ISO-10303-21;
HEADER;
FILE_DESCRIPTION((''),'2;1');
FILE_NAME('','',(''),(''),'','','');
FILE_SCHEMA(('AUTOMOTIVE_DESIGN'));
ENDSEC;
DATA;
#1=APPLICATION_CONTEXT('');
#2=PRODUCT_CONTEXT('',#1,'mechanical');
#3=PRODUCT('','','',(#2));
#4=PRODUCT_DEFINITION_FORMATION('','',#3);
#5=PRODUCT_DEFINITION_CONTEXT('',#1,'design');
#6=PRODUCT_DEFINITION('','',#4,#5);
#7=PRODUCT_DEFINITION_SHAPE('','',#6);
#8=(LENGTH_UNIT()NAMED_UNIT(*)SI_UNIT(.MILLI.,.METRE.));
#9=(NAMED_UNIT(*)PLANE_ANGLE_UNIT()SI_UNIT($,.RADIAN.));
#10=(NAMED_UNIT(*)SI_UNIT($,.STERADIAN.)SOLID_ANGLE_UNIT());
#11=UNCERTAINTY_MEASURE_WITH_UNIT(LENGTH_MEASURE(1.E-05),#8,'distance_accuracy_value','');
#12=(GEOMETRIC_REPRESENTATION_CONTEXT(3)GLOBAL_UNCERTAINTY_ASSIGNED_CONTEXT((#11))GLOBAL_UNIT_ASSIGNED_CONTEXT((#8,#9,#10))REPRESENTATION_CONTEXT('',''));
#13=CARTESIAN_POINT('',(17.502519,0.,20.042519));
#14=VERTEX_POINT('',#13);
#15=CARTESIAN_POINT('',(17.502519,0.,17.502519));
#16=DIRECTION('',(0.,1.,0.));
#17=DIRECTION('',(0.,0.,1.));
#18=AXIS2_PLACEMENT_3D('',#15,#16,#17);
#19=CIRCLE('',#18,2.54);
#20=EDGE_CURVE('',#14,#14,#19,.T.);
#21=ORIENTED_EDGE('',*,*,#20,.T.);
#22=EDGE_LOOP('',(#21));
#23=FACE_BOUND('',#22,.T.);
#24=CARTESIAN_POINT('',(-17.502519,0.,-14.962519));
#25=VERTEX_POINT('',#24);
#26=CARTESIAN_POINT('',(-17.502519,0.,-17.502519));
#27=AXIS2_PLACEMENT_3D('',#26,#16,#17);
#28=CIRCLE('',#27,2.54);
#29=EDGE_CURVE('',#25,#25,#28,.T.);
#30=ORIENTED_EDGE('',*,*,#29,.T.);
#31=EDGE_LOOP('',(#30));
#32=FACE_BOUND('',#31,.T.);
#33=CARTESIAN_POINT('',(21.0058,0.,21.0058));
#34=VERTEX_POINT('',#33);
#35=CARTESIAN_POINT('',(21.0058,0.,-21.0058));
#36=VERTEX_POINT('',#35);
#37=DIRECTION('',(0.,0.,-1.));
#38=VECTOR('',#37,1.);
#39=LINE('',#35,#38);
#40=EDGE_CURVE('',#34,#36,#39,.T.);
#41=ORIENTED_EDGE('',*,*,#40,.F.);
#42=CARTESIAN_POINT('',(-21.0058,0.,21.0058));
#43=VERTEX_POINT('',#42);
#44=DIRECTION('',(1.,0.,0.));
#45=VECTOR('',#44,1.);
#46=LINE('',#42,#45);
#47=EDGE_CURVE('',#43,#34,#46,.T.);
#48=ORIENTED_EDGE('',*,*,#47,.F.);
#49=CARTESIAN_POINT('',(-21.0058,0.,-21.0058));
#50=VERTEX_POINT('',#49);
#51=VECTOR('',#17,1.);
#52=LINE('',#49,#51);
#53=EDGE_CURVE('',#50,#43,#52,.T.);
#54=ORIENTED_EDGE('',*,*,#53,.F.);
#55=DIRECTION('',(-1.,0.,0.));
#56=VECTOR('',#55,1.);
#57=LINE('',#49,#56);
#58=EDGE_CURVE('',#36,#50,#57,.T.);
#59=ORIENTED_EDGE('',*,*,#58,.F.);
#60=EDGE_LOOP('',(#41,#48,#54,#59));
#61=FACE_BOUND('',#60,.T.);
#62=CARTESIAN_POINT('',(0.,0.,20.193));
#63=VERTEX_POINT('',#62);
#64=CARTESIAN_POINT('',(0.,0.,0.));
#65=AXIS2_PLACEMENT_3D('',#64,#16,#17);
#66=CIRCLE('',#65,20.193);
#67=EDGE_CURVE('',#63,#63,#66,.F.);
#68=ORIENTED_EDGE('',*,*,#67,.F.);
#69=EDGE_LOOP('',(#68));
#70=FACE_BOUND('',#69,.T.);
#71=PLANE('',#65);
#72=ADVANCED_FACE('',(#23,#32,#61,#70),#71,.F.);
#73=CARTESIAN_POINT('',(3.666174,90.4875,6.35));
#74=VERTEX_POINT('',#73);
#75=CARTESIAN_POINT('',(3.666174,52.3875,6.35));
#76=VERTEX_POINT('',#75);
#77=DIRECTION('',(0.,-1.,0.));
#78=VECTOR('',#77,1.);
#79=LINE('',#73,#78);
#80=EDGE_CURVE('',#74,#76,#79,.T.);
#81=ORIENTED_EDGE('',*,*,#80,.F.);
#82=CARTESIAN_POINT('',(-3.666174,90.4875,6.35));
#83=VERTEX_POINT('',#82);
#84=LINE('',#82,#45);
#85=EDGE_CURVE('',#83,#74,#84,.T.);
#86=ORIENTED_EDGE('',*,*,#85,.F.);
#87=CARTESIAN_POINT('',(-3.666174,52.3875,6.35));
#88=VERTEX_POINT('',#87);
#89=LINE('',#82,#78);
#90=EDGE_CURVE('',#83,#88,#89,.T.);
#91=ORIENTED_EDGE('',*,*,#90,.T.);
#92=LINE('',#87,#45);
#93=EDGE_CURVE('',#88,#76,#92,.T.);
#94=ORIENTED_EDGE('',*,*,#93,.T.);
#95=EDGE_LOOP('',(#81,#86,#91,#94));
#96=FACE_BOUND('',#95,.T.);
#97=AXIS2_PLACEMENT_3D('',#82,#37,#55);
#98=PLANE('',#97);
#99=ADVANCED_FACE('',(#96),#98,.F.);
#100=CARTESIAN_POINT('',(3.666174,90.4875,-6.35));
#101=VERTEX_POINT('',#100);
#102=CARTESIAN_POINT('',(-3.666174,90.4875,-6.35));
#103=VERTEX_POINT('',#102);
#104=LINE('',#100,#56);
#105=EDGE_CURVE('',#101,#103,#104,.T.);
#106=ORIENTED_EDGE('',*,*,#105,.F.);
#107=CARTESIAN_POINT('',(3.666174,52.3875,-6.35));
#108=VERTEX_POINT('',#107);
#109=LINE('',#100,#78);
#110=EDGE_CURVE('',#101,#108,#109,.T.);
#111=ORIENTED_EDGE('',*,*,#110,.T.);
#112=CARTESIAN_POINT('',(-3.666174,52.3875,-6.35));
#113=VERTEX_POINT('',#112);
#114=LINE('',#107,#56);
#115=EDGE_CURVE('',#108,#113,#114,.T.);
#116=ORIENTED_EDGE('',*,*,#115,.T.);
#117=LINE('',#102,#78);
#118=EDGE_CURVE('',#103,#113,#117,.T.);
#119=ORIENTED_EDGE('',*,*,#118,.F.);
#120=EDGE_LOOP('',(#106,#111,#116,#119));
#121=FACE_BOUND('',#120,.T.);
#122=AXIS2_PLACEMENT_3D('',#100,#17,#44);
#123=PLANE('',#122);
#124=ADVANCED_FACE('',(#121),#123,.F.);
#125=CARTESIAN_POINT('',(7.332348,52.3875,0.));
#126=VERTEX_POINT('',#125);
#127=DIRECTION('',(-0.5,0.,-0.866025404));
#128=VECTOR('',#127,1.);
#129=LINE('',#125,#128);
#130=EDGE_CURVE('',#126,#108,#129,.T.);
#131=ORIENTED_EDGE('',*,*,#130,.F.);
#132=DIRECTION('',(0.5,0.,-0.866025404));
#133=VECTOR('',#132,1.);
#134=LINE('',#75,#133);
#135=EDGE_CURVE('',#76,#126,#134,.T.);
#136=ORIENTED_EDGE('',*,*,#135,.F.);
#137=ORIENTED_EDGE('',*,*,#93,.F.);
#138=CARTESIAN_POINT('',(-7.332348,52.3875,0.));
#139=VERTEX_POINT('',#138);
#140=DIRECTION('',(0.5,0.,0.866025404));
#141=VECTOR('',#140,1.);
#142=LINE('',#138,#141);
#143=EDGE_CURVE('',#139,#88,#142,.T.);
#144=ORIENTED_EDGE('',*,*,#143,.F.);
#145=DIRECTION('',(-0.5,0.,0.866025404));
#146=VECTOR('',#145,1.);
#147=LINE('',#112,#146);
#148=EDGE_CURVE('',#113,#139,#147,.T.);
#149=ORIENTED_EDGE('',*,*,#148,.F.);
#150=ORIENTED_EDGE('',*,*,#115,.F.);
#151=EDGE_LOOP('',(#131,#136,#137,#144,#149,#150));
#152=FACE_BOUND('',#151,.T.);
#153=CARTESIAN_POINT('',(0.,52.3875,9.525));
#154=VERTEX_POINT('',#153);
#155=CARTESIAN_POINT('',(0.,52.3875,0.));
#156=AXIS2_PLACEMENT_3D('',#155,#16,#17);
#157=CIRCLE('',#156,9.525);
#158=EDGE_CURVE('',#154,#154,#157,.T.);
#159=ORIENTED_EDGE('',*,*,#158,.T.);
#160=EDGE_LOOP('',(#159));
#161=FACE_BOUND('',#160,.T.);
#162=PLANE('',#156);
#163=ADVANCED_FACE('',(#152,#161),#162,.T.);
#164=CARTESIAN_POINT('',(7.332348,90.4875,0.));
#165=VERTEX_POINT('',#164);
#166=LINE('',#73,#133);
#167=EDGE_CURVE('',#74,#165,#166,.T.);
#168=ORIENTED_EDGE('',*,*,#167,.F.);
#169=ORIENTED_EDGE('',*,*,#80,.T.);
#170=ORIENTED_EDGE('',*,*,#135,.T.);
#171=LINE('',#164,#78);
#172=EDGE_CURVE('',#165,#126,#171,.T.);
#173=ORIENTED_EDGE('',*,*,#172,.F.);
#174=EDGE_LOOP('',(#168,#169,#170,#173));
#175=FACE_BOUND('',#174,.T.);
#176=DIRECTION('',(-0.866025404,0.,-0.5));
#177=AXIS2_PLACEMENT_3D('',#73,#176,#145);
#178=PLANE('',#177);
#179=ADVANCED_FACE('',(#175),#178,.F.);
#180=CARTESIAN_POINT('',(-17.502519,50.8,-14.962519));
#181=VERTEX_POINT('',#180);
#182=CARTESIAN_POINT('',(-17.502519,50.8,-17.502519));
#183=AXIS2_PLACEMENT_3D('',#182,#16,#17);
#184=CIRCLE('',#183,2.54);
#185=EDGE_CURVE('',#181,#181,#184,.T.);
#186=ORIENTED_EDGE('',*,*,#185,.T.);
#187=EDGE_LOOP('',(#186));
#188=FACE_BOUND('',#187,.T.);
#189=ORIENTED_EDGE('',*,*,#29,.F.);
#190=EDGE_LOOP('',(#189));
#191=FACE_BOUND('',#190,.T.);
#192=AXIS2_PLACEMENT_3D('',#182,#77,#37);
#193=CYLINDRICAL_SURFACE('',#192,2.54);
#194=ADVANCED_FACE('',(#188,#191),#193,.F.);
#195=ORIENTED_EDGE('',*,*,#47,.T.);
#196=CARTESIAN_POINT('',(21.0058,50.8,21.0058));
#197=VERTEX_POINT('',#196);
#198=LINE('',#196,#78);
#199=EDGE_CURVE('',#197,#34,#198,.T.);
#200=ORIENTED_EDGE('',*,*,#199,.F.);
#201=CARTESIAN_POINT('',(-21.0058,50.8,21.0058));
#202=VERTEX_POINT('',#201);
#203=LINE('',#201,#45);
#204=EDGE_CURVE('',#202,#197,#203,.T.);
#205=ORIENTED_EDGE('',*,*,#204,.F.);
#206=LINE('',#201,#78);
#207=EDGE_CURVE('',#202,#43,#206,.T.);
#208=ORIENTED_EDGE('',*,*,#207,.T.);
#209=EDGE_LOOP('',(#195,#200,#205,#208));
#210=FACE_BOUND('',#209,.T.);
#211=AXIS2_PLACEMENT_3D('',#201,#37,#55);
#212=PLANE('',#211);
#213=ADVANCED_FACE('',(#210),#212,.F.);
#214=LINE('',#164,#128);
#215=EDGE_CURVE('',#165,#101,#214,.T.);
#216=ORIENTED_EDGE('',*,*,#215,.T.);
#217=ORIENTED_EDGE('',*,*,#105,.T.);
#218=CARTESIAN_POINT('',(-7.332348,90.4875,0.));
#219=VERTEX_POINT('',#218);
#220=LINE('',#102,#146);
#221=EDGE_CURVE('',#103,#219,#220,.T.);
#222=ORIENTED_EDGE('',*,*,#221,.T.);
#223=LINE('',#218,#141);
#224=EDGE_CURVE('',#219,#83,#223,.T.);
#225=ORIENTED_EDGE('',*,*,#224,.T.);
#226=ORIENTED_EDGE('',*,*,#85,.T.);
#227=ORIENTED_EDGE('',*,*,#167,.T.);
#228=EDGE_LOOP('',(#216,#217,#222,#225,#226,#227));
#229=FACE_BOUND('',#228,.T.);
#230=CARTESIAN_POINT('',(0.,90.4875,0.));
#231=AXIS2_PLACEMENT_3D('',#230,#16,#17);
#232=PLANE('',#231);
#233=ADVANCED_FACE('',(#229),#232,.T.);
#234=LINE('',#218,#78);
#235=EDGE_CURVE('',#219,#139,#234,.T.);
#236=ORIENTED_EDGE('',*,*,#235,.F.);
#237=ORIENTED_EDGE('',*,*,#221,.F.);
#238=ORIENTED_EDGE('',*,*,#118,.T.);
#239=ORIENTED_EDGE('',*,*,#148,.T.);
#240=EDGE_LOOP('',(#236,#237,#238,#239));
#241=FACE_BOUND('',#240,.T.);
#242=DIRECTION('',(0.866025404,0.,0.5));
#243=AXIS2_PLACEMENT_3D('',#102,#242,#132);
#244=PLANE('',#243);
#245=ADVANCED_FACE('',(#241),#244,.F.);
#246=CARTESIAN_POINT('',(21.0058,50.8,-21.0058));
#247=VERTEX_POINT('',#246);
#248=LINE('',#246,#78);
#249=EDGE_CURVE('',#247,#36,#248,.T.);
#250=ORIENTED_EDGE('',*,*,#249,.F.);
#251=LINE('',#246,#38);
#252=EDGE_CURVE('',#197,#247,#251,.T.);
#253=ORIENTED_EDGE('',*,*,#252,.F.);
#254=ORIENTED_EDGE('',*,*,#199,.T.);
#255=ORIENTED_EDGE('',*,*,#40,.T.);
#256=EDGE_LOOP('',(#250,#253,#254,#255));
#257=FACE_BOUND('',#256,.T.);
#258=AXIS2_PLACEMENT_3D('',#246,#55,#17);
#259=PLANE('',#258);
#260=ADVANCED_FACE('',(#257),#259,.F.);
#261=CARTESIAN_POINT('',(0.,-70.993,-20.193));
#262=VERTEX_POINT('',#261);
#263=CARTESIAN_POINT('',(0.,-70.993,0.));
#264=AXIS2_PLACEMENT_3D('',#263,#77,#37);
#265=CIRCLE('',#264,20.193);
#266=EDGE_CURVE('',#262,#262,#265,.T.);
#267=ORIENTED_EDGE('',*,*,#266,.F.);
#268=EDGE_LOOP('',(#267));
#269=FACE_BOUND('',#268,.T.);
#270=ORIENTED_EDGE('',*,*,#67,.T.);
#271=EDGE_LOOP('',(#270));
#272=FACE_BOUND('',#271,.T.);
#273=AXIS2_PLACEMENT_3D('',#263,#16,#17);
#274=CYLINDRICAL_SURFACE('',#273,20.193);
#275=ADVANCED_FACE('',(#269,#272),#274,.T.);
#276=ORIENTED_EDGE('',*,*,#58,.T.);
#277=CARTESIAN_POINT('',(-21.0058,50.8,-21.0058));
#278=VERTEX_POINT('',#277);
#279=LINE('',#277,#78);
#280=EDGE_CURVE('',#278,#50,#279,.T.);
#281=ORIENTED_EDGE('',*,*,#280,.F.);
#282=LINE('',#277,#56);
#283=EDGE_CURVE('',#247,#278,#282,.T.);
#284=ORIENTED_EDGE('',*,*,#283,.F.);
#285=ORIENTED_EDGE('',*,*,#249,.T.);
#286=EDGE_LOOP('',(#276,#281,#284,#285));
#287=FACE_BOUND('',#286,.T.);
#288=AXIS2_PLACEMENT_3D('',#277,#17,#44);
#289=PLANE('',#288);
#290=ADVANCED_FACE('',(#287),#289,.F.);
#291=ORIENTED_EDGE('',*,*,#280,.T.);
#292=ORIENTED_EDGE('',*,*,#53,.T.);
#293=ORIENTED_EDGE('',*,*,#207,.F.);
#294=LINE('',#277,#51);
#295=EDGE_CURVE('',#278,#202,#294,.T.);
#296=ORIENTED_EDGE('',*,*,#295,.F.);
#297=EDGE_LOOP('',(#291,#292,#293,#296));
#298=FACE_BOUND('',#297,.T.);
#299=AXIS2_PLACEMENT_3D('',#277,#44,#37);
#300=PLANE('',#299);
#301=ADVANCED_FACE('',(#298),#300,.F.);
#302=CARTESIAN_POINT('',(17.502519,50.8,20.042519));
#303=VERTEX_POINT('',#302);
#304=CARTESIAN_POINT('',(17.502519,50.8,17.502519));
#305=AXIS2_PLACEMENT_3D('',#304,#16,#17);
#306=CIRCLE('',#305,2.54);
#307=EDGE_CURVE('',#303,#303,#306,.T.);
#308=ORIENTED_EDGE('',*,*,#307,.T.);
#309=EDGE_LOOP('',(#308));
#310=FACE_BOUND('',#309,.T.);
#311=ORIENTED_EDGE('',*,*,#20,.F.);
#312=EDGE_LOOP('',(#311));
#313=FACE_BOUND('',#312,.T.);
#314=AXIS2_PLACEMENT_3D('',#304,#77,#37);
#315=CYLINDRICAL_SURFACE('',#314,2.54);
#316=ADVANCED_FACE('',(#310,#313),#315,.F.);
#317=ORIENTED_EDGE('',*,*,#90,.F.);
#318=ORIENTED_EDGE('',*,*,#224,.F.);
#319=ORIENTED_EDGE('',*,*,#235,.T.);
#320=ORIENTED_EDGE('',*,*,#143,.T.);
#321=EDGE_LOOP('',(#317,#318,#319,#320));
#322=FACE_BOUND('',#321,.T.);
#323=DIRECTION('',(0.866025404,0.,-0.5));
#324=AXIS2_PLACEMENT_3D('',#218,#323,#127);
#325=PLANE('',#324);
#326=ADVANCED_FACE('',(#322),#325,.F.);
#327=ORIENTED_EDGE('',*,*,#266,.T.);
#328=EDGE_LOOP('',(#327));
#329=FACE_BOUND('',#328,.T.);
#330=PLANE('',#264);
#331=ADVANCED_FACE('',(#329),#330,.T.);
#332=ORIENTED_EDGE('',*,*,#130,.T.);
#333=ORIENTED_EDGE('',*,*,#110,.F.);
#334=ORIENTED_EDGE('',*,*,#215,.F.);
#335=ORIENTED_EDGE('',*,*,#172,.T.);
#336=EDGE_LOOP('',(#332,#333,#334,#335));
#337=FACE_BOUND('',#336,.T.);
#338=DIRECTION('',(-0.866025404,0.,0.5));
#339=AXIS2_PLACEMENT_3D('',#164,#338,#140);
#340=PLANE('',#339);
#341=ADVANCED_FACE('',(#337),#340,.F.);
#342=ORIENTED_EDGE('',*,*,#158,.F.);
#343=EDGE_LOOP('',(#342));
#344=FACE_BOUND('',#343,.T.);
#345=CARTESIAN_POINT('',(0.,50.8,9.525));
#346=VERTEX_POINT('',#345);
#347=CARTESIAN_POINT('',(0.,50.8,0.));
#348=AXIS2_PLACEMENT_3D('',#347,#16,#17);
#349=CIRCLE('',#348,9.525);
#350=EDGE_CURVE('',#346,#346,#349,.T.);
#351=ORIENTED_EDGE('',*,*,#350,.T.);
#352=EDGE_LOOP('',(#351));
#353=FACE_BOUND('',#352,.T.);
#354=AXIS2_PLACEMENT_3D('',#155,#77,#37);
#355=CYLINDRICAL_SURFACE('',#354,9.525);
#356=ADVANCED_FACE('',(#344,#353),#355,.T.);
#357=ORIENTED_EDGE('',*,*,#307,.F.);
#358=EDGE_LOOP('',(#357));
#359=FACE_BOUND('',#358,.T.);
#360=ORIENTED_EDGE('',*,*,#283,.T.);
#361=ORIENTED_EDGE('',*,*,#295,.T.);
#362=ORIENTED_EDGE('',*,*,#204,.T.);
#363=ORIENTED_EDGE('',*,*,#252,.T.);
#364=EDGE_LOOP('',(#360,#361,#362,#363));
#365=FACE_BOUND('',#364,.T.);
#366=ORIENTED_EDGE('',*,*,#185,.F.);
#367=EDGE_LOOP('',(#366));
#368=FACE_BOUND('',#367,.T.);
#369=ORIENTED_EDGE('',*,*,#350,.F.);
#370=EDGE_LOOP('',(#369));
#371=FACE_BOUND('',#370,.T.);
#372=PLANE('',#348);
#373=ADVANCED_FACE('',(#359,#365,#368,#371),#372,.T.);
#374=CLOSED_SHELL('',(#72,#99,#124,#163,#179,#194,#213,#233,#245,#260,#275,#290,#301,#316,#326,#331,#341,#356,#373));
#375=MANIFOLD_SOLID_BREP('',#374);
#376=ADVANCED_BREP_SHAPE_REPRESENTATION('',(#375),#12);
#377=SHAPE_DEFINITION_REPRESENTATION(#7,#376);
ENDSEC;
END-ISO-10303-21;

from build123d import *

# Parameters (mm, degrees)
SKETCH1_W           = 42.0116
SKETCH1_H           = 42.0116
SKETCH1_R           = 2.54
BOSS_EXTRUDE1_DEPTH = 50.8
SKETCH2_R           = 9.525
BOSS_EXTRUDE2_DEPTH = 1.5875
BOSS_EXTRUDE3_DEPTH = 38.1
SKETCH4_R           = 20.193
BOSS_EXTRUDE4_DEPTH = 70.993


with BuildPart() as part:
    # Sketch1 → Boss-Extrude1 (new body)
    with BuildSketch(Plane(origin=(0, 0, 0), x_dir=(1, 0, 0), z_dir=(0, 1, 0))):
        Rectangle(SKETCH1_W, SKETCH1_H)
        with Locations((-17.50251918, 17.50251918)):
            Circle(SKETCH1_R, mode=Mode.SUBTRACT)
        with Locations((17.50251918, -17.50251918)):
            Circle(SKETCH1_R, mode=Mode.SUBTRACT)
    extrude(amount=BOSS_EXTRUDE1_DEPTH)

    # Sketch2 → Boss-Extrude2 (add)
    with BuildSketch(Plane(origin=(0, 50.8, 0), x_dir=(1, 0, 0), z_dir=(0, 1, 0))):
        Circle(SKETCH2_R)
    extrude(amount=BOSS_EXTRUDE2_DEPTH)

    # Sketch3 → Boss-Extrude3 (add)
    with BuildSketch(Plane(origin=(0, 52.3875, 0), x_dir=(1, 0, 0), z_dir=(0, 1, 0))):
        Polygon((3.666174209, -6.35), (7.332348419, 0), (3.666174209, 6.35), (-3.666174209, 6.35), (-7.332348419, 0), (-3.666174209, -6.35), align=None)
    extrude(amount=BOSS_EXTRUDE3_DEPTH)

    # Sketch4 → Boss-Extrude4 (add)
    with BuildSketch(Plane.XZ):
        Circle(SKETCH4_R)
    extrude(amount=BOSS_EXTRUDE4_DEPTH)


solid = part.part
